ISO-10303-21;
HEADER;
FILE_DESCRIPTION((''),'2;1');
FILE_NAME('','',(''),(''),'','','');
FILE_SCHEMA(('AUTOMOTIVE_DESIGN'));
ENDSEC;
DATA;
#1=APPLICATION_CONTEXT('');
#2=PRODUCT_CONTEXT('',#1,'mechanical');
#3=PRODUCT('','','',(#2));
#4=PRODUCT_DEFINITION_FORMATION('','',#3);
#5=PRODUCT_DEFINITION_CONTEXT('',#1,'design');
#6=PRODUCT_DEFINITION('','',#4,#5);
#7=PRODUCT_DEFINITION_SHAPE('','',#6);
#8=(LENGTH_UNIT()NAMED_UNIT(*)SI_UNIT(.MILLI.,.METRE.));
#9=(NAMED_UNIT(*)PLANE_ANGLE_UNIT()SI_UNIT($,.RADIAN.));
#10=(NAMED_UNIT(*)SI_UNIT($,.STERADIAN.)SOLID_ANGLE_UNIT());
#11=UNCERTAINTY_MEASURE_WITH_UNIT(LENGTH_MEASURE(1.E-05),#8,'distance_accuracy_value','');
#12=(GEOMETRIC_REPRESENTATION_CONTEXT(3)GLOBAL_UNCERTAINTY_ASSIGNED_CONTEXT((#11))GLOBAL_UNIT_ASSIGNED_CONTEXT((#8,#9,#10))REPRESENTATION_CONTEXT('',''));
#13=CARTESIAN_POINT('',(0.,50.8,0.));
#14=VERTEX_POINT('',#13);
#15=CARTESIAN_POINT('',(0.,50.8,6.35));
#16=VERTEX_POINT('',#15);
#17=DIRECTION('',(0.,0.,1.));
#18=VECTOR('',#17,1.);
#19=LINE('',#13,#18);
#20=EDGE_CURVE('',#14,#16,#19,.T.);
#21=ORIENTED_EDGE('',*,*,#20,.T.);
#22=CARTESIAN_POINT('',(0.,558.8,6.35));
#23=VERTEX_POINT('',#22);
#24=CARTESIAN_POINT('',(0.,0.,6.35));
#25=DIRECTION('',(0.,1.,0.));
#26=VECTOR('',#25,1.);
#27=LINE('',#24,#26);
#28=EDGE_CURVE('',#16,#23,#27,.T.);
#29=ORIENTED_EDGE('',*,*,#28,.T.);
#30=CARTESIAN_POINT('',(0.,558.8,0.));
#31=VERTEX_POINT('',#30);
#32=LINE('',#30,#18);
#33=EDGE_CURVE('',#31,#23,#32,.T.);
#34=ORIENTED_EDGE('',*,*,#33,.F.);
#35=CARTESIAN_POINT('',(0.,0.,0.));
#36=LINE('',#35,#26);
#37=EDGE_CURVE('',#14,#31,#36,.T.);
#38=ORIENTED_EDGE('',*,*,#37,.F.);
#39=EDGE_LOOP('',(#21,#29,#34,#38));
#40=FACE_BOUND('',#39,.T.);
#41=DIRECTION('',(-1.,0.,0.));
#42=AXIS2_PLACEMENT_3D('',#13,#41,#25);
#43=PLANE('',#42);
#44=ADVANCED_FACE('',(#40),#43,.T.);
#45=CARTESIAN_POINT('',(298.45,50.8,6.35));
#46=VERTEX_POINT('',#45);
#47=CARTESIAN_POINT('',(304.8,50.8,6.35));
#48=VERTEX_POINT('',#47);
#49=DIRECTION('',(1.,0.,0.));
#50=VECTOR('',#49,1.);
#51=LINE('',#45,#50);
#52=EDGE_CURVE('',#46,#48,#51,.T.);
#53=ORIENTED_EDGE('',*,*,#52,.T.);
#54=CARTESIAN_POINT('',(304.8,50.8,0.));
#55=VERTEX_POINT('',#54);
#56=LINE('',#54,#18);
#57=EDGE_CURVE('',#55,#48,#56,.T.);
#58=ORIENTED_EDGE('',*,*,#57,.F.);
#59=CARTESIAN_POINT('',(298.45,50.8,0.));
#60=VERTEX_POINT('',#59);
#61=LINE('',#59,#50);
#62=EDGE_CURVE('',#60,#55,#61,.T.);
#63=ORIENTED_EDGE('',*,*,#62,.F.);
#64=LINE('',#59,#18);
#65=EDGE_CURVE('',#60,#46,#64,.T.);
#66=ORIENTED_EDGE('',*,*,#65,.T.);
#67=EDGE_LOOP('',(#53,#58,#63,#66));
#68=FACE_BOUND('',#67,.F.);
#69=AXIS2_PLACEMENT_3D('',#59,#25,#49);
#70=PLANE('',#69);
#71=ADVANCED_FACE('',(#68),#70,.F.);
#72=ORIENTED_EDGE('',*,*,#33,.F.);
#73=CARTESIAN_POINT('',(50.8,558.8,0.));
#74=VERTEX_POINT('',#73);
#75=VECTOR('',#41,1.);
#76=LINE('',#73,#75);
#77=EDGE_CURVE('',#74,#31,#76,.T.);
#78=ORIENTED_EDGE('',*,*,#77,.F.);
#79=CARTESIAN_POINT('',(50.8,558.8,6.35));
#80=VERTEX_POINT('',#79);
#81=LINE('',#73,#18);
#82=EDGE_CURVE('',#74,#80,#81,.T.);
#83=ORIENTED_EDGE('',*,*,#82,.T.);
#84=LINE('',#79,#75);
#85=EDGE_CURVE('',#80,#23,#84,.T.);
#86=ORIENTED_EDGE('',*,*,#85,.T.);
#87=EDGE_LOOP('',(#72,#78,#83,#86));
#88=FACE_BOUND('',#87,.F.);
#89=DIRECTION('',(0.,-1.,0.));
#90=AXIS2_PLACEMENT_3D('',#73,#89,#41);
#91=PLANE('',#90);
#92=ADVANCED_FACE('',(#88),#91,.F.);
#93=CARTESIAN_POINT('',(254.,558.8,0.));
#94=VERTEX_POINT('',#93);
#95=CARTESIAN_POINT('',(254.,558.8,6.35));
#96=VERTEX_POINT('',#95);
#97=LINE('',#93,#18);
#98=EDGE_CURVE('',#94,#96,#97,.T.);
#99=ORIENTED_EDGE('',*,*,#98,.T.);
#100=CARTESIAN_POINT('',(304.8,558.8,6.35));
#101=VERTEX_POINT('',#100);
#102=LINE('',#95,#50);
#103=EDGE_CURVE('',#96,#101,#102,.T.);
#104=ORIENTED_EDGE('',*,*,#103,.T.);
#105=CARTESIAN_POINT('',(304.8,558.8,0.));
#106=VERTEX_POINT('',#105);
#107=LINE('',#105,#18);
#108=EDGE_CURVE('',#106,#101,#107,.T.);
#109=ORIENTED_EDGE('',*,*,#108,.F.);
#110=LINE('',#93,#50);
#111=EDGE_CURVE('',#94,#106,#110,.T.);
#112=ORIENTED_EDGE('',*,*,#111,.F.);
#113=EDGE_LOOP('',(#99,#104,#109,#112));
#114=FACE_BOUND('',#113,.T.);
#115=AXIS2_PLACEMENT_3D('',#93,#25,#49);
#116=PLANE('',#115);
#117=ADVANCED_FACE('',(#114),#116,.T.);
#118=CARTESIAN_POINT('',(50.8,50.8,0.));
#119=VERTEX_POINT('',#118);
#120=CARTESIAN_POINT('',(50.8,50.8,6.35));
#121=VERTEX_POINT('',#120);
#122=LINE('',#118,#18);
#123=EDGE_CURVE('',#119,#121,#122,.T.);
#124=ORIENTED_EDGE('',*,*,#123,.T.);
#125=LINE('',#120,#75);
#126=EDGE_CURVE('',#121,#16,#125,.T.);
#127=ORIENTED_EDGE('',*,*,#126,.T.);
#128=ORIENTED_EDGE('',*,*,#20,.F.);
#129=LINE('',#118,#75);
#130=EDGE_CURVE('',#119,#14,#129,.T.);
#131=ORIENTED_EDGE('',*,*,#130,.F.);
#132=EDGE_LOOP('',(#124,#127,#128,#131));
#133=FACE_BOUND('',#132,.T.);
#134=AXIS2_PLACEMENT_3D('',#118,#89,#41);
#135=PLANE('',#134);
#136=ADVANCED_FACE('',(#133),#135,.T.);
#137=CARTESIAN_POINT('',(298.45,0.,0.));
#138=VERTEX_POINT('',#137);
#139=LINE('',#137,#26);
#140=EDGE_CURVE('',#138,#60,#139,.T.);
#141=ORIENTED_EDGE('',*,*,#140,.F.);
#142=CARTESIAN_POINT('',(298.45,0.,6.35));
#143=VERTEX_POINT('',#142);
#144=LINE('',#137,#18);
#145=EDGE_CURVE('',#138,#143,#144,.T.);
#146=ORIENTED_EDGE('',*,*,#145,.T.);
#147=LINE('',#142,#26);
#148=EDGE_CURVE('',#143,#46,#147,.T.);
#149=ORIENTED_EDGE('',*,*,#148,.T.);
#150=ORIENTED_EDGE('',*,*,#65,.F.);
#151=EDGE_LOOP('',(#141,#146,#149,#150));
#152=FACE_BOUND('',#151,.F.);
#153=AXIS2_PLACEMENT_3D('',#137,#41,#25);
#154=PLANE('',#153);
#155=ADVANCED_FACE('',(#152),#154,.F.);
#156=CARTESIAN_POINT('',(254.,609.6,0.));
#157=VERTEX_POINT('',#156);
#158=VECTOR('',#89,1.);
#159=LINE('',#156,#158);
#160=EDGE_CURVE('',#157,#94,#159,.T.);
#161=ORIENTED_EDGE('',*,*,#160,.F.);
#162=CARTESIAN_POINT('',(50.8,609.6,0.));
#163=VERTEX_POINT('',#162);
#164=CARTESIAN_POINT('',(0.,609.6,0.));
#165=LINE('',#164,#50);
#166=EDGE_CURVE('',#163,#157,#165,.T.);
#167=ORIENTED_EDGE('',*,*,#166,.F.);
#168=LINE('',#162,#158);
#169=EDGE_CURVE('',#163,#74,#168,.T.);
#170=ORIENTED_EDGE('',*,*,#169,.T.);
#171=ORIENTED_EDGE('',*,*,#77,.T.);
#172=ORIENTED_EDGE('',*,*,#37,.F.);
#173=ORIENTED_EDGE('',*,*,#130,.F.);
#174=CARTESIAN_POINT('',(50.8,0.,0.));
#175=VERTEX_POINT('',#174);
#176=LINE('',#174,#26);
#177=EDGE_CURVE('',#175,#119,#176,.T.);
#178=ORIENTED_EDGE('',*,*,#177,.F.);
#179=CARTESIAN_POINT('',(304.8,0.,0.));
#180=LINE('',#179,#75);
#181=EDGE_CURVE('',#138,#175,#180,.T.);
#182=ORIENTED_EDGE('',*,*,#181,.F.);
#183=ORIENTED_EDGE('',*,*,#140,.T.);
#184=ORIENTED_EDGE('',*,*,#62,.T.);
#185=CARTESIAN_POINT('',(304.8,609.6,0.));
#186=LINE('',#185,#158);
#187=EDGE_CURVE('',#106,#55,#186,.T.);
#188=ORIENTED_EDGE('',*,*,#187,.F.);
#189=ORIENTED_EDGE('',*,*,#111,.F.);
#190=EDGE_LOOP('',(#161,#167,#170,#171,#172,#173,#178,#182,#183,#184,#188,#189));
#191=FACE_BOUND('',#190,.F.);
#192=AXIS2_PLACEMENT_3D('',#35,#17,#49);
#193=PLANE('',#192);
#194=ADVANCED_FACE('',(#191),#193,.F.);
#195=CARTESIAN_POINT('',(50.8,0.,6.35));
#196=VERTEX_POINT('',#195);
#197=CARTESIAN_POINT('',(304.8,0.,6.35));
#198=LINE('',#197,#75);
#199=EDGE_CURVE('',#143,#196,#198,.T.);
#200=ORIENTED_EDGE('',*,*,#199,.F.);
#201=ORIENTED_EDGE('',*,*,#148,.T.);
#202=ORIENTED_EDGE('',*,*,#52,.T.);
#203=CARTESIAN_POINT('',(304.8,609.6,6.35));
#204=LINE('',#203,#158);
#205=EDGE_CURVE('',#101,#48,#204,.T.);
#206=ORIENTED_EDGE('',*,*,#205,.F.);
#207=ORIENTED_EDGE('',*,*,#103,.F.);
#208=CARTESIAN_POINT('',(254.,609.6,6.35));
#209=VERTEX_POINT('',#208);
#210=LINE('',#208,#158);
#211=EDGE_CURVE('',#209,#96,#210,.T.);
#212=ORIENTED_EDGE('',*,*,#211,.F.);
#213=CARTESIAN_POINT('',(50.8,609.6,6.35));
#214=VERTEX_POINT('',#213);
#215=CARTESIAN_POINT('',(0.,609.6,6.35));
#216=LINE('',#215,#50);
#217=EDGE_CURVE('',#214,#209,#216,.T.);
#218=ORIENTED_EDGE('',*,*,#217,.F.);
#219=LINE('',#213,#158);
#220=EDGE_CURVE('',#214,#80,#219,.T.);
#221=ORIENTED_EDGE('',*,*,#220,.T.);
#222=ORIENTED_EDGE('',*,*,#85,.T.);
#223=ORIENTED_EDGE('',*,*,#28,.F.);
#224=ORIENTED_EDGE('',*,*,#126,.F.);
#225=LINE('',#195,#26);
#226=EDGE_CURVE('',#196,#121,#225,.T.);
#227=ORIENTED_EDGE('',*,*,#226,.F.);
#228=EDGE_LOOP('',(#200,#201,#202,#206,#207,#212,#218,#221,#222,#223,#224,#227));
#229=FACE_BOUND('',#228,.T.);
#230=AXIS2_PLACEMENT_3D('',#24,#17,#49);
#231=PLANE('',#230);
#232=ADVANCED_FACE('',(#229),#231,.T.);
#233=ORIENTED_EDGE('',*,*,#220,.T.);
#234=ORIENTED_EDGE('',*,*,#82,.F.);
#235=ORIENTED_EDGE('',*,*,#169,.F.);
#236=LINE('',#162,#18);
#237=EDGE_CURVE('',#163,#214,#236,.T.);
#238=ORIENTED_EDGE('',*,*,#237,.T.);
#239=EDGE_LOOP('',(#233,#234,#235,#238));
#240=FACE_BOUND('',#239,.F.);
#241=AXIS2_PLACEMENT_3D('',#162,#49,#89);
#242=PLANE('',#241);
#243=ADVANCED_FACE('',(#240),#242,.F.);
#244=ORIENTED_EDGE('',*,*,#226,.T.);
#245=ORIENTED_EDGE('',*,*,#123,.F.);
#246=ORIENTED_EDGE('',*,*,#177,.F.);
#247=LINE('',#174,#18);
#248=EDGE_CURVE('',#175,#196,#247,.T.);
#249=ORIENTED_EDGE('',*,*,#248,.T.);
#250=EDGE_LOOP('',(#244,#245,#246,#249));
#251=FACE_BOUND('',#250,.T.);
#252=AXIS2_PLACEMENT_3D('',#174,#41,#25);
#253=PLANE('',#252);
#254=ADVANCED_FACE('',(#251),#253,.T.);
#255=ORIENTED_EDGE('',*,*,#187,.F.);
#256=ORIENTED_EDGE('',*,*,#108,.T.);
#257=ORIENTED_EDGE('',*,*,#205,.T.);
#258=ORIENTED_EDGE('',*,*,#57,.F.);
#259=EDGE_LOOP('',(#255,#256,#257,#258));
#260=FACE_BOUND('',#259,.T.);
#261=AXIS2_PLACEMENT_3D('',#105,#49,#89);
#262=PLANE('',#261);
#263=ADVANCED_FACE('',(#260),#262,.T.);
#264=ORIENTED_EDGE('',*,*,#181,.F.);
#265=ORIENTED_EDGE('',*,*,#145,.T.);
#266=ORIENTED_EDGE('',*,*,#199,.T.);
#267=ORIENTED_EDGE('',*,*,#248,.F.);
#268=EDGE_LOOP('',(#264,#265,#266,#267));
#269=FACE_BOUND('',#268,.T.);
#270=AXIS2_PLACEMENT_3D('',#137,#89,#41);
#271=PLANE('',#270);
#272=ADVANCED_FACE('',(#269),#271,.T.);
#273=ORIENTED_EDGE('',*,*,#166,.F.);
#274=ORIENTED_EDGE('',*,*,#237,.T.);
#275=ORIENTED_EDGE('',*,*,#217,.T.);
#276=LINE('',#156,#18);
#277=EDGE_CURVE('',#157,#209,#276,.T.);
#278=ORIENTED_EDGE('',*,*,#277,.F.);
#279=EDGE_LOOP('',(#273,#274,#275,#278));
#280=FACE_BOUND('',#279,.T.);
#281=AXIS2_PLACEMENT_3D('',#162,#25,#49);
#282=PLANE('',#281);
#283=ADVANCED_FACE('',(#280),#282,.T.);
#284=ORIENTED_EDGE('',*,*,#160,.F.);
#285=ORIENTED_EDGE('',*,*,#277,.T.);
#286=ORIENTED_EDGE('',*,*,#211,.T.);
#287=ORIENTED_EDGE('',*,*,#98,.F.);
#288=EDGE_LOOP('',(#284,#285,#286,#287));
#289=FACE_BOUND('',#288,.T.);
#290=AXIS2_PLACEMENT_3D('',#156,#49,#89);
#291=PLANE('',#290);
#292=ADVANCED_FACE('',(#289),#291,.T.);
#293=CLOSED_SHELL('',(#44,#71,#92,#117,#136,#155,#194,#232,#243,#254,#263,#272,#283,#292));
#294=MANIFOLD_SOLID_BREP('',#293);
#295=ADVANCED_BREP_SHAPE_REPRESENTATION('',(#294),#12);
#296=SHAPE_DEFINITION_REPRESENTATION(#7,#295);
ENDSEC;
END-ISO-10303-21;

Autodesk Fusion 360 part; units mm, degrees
sketch "Sketch1" plane through (0, 0, 0) normal (0, 0, 1) x (1, 0, 0)
  line L0 (0, 0) -> (0, 609.6)
  line L1 (0, 609.6) -> (304.8, 609.6)
  line L2 (304.8, 609.6) -> (304.8, 0)
  line L3 (304.8, 0) -> (0, 0)
  line L4 (0, 0) -> (50.8, 0)
  line L5 (50.8, 0) -> (50.8, 50.8)
  line L6 (50.8, 50.8) -> (0, 50.8)
  line L7 (0, 50.8) -> (0, 0)
  line L8 (0, 609.6) -> (50.8, 609.6)
  line L9 (50.8, 609.6) -> (50.8, 558.8)
  line L10 (50.8, 558.8) -> (0, 558.8)
  line L11 (0, 558.8) -> (0, 609.6)
  line L12 (304.8, 609.6) -> (254, 609.6)
  line L13 (254, 609.6) -> (254, 558.8)
  line L14 (254, 558.8) -> (304.8, 558.8)
  line L15 (304.8, 558.8) -> (304.8, 609.6)
  line L16 (304.8, 0) -> (298.45, 0)
  line L17 (298.45, 0) -> (298.45, 50.8)
  line L18 (298.45, 50.8) -> (304.8, 50.8)
  line L19 (304.8, 50.8) -> (304.8, 0)
  dimension "d2" = 609.6
  dimension "d3" = 304.8
  dimension "d10" = 50.8
  dimension "d11" = 50.8
  dimension "d12" = 50.8
  dimension "d13" = 50.8
  dimension "d14" = 6.35
  dimension "d16" = 304.8
extrude "Extrude1" add sketch "Sketch1" along normal blind 6.35 contours L0 L1 L2 L3 L5 L6 L9 L10 L13 L14 L17 L18
